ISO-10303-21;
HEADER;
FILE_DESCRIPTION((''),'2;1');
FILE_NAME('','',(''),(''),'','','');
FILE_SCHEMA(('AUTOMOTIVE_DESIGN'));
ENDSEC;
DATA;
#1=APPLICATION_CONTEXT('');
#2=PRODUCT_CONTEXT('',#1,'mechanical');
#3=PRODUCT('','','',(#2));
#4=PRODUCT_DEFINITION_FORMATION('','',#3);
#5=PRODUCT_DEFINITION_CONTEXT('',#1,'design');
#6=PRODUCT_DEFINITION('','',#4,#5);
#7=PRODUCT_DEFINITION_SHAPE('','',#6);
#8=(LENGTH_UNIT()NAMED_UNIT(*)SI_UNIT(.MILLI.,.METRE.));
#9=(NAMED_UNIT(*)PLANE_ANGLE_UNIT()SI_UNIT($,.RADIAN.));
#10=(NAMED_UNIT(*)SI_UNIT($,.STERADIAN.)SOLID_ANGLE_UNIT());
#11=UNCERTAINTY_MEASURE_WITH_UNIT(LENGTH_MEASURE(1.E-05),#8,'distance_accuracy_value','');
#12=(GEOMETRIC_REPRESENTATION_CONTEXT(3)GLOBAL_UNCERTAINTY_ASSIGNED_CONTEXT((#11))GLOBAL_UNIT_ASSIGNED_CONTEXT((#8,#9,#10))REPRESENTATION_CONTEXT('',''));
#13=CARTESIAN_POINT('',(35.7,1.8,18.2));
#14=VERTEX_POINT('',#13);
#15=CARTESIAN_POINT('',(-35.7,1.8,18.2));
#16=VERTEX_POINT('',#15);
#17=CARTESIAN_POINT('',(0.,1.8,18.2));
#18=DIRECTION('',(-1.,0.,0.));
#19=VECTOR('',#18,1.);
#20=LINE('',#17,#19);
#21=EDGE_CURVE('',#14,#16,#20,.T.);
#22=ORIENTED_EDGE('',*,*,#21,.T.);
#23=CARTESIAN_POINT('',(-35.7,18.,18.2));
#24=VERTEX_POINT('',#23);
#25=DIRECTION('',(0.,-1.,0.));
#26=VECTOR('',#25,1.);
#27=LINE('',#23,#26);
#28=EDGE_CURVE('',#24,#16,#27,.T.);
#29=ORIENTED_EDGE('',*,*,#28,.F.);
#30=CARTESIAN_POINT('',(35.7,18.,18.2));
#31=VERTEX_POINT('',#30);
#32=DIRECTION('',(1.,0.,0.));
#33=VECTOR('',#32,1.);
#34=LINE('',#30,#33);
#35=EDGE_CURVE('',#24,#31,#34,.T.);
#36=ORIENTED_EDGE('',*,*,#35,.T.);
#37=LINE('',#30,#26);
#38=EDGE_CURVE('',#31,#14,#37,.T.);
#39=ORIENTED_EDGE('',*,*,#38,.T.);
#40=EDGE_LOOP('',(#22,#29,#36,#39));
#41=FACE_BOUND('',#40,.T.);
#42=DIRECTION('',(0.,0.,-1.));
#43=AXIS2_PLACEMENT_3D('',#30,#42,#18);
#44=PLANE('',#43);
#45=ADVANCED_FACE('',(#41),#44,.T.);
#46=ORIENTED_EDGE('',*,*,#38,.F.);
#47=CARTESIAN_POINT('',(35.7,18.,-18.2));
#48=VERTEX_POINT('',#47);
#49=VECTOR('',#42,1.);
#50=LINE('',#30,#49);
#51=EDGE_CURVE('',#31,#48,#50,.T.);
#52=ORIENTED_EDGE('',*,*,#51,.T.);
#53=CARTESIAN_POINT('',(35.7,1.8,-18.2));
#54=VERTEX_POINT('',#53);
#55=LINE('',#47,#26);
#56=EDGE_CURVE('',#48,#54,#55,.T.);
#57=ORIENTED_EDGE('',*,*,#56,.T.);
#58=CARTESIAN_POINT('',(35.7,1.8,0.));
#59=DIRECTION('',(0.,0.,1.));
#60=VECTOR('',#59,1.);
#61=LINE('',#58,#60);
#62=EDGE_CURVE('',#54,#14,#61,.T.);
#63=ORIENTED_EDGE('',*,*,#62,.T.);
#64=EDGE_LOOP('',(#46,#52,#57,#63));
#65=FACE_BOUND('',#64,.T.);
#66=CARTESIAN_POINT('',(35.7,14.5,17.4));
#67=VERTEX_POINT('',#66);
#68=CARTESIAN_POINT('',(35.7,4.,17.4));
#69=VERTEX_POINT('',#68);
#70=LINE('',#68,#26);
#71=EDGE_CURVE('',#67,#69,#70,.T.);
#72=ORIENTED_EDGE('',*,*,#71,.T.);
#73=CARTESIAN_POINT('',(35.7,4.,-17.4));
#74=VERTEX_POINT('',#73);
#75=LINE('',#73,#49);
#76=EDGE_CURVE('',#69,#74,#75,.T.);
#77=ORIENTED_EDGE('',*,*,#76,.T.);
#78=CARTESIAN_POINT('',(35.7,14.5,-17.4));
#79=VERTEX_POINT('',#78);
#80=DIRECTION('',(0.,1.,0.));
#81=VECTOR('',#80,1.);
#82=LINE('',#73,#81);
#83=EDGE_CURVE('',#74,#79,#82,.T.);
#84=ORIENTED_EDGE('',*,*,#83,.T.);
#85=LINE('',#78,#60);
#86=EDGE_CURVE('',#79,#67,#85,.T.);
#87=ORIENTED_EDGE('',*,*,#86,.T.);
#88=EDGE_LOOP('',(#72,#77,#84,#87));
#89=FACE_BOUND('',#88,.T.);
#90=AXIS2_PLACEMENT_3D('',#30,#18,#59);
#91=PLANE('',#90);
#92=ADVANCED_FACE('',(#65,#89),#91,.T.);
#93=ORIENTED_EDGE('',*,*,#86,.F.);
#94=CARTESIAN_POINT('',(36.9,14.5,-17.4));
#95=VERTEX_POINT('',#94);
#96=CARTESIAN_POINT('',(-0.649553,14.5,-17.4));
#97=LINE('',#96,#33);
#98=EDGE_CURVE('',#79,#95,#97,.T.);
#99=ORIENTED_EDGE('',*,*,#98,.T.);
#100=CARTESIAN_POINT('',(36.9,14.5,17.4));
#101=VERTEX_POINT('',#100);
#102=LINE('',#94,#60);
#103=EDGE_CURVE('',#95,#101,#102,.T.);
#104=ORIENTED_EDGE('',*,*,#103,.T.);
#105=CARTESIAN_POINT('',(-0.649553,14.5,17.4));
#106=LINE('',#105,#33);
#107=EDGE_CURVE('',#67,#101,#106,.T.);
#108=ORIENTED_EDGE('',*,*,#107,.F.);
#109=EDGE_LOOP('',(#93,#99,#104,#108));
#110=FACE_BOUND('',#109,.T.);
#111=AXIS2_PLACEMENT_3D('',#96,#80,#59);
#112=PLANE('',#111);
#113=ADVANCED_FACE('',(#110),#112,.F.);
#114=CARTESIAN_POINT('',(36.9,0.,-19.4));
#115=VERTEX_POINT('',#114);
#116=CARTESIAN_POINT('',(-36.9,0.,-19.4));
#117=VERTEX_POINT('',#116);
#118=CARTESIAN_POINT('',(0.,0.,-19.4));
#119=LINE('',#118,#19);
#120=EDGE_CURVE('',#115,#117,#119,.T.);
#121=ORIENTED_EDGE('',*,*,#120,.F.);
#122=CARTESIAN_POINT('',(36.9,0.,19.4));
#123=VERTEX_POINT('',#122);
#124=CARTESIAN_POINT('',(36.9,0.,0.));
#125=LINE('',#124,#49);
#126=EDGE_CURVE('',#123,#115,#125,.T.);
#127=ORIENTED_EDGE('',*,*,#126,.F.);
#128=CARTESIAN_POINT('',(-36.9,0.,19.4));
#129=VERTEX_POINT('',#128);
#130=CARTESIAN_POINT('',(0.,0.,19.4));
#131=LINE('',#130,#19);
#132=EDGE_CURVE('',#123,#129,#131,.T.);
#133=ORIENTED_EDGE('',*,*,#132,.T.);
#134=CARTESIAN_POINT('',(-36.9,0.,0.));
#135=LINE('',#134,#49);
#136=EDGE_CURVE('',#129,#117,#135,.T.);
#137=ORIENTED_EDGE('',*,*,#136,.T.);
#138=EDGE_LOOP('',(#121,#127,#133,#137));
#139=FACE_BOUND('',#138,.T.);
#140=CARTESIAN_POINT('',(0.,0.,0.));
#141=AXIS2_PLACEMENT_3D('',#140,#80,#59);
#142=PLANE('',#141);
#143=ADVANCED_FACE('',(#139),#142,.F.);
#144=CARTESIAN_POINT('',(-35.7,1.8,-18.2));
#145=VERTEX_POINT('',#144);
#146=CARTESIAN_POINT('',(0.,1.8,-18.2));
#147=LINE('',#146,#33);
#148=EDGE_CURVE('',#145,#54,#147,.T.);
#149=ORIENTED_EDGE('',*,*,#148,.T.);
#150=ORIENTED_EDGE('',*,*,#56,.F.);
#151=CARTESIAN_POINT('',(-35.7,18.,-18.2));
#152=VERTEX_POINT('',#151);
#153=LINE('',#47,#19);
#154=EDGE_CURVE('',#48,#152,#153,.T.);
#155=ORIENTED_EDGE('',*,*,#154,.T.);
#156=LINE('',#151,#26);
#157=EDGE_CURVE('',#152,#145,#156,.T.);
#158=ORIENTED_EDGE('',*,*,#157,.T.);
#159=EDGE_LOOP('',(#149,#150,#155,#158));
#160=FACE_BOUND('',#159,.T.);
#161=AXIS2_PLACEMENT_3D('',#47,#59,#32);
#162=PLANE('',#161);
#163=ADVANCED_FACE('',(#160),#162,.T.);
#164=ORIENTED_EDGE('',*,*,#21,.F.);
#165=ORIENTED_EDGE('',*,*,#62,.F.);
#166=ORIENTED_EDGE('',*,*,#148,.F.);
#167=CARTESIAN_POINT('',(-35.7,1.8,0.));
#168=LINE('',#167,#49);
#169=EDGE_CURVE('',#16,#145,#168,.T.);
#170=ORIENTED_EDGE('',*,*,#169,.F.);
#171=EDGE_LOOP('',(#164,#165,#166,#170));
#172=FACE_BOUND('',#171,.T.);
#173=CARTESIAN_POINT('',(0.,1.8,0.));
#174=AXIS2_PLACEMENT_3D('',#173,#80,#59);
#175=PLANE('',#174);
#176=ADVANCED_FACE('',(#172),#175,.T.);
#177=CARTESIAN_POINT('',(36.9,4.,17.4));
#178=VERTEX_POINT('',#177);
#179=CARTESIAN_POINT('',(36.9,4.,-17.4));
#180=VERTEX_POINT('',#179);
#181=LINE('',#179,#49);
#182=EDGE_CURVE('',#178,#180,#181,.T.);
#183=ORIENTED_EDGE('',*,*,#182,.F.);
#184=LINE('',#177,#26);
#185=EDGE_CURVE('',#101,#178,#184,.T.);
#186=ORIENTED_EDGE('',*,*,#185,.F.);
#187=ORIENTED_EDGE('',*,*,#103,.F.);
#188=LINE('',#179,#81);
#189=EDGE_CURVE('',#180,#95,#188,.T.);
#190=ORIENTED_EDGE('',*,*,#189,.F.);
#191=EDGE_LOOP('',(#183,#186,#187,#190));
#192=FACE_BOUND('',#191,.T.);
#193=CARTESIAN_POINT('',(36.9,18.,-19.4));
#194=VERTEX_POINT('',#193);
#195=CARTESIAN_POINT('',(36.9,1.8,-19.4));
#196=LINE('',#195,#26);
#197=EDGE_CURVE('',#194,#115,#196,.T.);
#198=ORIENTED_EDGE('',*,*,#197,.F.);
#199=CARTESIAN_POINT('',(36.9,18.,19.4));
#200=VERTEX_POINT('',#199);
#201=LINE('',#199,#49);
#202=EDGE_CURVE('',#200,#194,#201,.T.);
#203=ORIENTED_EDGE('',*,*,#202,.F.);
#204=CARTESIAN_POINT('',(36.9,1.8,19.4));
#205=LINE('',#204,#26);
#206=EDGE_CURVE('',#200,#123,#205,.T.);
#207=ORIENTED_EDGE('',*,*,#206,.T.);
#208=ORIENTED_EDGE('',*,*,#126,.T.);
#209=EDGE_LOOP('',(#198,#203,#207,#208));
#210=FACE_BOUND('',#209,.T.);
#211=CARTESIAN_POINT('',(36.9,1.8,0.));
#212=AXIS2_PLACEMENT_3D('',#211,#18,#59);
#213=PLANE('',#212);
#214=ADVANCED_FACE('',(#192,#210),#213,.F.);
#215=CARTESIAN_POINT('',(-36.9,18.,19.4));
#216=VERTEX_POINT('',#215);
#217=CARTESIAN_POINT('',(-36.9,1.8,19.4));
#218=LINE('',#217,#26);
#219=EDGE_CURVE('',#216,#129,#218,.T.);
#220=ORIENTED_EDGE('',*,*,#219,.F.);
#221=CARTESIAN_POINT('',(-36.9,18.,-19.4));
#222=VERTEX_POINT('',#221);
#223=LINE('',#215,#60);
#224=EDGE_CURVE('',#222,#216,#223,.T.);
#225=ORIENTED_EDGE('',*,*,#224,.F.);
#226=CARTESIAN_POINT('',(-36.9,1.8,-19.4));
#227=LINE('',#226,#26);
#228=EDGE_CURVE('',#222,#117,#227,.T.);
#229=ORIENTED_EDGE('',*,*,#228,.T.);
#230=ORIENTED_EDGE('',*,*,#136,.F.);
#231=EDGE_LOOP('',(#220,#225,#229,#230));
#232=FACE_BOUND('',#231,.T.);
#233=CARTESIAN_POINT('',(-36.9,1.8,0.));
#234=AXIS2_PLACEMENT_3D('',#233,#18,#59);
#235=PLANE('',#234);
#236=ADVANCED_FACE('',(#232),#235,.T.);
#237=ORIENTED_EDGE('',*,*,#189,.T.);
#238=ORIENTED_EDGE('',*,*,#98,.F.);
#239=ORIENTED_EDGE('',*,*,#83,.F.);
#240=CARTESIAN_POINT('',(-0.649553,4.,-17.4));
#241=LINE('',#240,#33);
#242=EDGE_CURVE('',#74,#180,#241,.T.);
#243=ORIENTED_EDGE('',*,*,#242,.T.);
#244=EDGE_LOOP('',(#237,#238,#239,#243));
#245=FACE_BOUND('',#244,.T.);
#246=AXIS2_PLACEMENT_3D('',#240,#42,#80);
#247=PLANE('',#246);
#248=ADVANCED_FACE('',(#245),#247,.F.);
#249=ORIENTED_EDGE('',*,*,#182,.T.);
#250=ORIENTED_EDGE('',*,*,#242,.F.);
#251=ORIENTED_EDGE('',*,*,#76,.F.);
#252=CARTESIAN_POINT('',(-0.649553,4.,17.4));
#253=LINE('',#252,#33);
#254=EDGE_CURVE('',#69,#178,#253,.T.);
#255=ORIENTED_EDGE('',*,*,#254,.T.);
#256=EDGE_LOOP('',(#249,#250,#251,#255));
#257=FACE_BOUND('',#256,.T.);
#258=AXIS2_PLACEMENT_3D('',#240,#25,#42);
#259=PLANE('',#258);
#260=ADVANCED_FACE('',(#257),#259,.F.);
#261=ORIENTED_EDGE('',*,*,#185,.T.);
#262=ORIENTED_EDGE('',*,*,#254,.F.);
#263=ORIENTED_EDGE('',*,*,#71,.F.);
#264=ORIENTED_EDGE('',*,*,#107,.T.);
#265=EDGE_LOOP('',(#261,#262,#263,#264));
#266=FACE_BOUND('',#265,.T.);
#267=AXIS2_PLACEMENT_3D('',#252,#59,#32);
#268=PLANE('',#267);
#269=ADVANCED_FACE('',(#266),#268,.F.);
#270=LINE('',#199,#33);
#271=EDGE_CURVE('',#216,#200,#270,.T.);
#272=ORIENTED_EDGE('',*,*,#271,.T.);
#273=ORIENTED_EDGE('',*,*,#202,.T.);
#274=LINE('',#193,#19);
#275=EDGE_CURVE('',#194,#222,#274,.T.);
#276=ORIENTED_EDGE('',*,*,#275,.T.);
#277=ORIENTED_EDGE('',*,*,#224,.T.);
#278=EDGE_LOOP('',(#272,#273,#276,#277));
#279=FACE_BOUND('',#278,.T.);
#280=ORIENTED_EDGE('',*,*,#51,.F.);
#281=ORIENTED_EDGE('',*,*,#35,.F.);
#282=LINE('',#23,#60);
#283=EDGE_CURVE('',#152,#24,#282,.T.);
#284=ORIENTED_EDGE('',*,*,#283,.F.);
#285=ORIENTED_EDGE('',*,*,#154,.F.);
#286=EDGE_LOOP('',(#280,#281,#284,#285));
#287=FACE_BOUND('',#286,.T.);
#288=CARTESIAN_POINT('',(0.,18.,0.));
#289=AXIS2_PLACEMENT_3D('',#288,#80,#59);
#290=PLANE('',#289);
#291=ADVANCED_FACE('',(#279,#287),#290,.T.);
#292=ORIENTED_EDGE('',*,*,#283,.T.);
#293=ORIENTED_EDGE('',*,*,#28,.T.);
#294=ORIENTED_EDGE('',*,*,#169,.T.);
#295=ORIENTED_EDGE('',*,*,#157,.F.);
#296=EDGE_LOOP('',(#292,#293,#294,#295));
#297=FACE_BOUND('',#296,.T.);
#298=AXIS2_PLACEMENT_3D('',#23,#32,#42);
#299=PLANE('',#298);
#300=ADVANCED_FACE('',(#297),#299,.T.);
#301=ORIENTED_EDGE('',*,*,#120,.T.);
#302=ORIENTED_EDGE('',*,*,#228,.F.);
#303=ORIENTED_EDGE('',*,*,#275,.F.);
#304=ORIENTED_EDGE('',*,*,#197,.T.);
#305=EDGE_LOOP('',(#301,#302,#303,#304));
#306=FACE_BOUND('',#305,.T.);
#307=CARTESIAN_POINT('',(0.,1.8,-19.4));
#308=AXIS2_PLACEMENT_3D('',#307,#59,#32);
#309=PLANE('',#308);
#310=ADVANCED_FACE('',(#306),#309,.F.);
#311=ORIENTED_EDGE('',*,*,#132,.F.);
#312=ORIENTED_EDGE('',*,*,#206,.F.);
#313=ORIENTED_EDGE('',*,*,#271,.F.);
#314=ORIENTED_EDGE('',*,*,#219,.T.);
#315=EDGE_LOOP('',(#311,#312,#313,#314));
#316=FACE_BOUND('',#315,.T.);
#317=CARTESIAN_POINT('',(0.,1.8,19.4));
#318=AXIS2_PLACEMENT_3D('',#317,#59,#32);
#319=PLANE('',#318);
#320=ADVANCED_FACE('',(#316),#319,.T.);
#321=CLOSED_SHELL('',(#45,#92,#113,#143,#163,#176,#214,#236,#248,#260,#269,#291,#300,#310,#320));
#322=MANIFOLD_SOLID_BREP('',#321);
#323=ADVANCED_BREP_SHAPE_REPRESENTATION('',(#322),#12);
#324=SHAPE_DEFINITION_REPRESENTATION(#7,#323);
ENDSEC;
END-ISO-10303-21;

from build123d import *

# Parameters (mm, degrees)
SKETCH1_W           = 73.8
SKETCH1_H           = 38.8
SKETCH1_W_2         = 71.4
SKETCH1_H_2         = 36.4
BOSS_EXTRUDE1_DEPTH = 1.8
SKETCH1_3_W         = 73.8
SKETCH1_3_H         = 38.8
SKETCH1_3_W_2       = 71.4
SKETCH1_3_H_2       = 36.4
BOSS_EXTRUDE2_DEPTH = 18
SKETCH2_W           = 34.8
SKETCH2_H           = 10.5
CUT_EXTRUDE1_DEPTH  = 1.2


with BuildPart() as part:
    # Sketch1 → Boss-Extrude1 (new body)
    with BuildSketch(Plane(origin=(0, 0, 0), x_dir=(1, 0, 0), z_dir=(0, 1, 0))):
        Rectangle(SKETCH1_W, SKETCH1_H)
        Rectangle(SKETCH1_W_2, SKETCH1_H_2, mode=Mode.SUBTRACT)
        Rectangle(SKETCH1_W_2, SKETCH1_H_2)
    extrude(amount=BOSS_EXTRUDE1_DEPTH)

    # Sketch1<3> → Boss-Extrude2 (add)
    with BuildSketch(Plane(origin=(0, 0, 0), x_dir=(1, 0, 0), z_dir=(0, 1, 0))):
        Rectangle(SKETCH1_3_W, SKETCH1_3_H)
        Rectangle(SKETCH1_3_W_2, SKETCH1_3_H_2, mode=Mode.SUBTRACT)
    extrude(amount=BOSS_EXTRUDE2_DEPTH)

    # Sketch2 → Cut-Extrude1 (cut)
    with BuildSketch(Plane(origin=(36.9, 0, 0), x_dir=(0, 0, -1), z_dir=(1, 0, 0))):
        with Locations((0, 9.25)):
            Rectangle(SKETCH2_W, SKETCH2_H)
    extrude(amount=-CUT_EXTRUDE1_DEPTH, mode=Mode.SUBTRACT)


solid = part.part
